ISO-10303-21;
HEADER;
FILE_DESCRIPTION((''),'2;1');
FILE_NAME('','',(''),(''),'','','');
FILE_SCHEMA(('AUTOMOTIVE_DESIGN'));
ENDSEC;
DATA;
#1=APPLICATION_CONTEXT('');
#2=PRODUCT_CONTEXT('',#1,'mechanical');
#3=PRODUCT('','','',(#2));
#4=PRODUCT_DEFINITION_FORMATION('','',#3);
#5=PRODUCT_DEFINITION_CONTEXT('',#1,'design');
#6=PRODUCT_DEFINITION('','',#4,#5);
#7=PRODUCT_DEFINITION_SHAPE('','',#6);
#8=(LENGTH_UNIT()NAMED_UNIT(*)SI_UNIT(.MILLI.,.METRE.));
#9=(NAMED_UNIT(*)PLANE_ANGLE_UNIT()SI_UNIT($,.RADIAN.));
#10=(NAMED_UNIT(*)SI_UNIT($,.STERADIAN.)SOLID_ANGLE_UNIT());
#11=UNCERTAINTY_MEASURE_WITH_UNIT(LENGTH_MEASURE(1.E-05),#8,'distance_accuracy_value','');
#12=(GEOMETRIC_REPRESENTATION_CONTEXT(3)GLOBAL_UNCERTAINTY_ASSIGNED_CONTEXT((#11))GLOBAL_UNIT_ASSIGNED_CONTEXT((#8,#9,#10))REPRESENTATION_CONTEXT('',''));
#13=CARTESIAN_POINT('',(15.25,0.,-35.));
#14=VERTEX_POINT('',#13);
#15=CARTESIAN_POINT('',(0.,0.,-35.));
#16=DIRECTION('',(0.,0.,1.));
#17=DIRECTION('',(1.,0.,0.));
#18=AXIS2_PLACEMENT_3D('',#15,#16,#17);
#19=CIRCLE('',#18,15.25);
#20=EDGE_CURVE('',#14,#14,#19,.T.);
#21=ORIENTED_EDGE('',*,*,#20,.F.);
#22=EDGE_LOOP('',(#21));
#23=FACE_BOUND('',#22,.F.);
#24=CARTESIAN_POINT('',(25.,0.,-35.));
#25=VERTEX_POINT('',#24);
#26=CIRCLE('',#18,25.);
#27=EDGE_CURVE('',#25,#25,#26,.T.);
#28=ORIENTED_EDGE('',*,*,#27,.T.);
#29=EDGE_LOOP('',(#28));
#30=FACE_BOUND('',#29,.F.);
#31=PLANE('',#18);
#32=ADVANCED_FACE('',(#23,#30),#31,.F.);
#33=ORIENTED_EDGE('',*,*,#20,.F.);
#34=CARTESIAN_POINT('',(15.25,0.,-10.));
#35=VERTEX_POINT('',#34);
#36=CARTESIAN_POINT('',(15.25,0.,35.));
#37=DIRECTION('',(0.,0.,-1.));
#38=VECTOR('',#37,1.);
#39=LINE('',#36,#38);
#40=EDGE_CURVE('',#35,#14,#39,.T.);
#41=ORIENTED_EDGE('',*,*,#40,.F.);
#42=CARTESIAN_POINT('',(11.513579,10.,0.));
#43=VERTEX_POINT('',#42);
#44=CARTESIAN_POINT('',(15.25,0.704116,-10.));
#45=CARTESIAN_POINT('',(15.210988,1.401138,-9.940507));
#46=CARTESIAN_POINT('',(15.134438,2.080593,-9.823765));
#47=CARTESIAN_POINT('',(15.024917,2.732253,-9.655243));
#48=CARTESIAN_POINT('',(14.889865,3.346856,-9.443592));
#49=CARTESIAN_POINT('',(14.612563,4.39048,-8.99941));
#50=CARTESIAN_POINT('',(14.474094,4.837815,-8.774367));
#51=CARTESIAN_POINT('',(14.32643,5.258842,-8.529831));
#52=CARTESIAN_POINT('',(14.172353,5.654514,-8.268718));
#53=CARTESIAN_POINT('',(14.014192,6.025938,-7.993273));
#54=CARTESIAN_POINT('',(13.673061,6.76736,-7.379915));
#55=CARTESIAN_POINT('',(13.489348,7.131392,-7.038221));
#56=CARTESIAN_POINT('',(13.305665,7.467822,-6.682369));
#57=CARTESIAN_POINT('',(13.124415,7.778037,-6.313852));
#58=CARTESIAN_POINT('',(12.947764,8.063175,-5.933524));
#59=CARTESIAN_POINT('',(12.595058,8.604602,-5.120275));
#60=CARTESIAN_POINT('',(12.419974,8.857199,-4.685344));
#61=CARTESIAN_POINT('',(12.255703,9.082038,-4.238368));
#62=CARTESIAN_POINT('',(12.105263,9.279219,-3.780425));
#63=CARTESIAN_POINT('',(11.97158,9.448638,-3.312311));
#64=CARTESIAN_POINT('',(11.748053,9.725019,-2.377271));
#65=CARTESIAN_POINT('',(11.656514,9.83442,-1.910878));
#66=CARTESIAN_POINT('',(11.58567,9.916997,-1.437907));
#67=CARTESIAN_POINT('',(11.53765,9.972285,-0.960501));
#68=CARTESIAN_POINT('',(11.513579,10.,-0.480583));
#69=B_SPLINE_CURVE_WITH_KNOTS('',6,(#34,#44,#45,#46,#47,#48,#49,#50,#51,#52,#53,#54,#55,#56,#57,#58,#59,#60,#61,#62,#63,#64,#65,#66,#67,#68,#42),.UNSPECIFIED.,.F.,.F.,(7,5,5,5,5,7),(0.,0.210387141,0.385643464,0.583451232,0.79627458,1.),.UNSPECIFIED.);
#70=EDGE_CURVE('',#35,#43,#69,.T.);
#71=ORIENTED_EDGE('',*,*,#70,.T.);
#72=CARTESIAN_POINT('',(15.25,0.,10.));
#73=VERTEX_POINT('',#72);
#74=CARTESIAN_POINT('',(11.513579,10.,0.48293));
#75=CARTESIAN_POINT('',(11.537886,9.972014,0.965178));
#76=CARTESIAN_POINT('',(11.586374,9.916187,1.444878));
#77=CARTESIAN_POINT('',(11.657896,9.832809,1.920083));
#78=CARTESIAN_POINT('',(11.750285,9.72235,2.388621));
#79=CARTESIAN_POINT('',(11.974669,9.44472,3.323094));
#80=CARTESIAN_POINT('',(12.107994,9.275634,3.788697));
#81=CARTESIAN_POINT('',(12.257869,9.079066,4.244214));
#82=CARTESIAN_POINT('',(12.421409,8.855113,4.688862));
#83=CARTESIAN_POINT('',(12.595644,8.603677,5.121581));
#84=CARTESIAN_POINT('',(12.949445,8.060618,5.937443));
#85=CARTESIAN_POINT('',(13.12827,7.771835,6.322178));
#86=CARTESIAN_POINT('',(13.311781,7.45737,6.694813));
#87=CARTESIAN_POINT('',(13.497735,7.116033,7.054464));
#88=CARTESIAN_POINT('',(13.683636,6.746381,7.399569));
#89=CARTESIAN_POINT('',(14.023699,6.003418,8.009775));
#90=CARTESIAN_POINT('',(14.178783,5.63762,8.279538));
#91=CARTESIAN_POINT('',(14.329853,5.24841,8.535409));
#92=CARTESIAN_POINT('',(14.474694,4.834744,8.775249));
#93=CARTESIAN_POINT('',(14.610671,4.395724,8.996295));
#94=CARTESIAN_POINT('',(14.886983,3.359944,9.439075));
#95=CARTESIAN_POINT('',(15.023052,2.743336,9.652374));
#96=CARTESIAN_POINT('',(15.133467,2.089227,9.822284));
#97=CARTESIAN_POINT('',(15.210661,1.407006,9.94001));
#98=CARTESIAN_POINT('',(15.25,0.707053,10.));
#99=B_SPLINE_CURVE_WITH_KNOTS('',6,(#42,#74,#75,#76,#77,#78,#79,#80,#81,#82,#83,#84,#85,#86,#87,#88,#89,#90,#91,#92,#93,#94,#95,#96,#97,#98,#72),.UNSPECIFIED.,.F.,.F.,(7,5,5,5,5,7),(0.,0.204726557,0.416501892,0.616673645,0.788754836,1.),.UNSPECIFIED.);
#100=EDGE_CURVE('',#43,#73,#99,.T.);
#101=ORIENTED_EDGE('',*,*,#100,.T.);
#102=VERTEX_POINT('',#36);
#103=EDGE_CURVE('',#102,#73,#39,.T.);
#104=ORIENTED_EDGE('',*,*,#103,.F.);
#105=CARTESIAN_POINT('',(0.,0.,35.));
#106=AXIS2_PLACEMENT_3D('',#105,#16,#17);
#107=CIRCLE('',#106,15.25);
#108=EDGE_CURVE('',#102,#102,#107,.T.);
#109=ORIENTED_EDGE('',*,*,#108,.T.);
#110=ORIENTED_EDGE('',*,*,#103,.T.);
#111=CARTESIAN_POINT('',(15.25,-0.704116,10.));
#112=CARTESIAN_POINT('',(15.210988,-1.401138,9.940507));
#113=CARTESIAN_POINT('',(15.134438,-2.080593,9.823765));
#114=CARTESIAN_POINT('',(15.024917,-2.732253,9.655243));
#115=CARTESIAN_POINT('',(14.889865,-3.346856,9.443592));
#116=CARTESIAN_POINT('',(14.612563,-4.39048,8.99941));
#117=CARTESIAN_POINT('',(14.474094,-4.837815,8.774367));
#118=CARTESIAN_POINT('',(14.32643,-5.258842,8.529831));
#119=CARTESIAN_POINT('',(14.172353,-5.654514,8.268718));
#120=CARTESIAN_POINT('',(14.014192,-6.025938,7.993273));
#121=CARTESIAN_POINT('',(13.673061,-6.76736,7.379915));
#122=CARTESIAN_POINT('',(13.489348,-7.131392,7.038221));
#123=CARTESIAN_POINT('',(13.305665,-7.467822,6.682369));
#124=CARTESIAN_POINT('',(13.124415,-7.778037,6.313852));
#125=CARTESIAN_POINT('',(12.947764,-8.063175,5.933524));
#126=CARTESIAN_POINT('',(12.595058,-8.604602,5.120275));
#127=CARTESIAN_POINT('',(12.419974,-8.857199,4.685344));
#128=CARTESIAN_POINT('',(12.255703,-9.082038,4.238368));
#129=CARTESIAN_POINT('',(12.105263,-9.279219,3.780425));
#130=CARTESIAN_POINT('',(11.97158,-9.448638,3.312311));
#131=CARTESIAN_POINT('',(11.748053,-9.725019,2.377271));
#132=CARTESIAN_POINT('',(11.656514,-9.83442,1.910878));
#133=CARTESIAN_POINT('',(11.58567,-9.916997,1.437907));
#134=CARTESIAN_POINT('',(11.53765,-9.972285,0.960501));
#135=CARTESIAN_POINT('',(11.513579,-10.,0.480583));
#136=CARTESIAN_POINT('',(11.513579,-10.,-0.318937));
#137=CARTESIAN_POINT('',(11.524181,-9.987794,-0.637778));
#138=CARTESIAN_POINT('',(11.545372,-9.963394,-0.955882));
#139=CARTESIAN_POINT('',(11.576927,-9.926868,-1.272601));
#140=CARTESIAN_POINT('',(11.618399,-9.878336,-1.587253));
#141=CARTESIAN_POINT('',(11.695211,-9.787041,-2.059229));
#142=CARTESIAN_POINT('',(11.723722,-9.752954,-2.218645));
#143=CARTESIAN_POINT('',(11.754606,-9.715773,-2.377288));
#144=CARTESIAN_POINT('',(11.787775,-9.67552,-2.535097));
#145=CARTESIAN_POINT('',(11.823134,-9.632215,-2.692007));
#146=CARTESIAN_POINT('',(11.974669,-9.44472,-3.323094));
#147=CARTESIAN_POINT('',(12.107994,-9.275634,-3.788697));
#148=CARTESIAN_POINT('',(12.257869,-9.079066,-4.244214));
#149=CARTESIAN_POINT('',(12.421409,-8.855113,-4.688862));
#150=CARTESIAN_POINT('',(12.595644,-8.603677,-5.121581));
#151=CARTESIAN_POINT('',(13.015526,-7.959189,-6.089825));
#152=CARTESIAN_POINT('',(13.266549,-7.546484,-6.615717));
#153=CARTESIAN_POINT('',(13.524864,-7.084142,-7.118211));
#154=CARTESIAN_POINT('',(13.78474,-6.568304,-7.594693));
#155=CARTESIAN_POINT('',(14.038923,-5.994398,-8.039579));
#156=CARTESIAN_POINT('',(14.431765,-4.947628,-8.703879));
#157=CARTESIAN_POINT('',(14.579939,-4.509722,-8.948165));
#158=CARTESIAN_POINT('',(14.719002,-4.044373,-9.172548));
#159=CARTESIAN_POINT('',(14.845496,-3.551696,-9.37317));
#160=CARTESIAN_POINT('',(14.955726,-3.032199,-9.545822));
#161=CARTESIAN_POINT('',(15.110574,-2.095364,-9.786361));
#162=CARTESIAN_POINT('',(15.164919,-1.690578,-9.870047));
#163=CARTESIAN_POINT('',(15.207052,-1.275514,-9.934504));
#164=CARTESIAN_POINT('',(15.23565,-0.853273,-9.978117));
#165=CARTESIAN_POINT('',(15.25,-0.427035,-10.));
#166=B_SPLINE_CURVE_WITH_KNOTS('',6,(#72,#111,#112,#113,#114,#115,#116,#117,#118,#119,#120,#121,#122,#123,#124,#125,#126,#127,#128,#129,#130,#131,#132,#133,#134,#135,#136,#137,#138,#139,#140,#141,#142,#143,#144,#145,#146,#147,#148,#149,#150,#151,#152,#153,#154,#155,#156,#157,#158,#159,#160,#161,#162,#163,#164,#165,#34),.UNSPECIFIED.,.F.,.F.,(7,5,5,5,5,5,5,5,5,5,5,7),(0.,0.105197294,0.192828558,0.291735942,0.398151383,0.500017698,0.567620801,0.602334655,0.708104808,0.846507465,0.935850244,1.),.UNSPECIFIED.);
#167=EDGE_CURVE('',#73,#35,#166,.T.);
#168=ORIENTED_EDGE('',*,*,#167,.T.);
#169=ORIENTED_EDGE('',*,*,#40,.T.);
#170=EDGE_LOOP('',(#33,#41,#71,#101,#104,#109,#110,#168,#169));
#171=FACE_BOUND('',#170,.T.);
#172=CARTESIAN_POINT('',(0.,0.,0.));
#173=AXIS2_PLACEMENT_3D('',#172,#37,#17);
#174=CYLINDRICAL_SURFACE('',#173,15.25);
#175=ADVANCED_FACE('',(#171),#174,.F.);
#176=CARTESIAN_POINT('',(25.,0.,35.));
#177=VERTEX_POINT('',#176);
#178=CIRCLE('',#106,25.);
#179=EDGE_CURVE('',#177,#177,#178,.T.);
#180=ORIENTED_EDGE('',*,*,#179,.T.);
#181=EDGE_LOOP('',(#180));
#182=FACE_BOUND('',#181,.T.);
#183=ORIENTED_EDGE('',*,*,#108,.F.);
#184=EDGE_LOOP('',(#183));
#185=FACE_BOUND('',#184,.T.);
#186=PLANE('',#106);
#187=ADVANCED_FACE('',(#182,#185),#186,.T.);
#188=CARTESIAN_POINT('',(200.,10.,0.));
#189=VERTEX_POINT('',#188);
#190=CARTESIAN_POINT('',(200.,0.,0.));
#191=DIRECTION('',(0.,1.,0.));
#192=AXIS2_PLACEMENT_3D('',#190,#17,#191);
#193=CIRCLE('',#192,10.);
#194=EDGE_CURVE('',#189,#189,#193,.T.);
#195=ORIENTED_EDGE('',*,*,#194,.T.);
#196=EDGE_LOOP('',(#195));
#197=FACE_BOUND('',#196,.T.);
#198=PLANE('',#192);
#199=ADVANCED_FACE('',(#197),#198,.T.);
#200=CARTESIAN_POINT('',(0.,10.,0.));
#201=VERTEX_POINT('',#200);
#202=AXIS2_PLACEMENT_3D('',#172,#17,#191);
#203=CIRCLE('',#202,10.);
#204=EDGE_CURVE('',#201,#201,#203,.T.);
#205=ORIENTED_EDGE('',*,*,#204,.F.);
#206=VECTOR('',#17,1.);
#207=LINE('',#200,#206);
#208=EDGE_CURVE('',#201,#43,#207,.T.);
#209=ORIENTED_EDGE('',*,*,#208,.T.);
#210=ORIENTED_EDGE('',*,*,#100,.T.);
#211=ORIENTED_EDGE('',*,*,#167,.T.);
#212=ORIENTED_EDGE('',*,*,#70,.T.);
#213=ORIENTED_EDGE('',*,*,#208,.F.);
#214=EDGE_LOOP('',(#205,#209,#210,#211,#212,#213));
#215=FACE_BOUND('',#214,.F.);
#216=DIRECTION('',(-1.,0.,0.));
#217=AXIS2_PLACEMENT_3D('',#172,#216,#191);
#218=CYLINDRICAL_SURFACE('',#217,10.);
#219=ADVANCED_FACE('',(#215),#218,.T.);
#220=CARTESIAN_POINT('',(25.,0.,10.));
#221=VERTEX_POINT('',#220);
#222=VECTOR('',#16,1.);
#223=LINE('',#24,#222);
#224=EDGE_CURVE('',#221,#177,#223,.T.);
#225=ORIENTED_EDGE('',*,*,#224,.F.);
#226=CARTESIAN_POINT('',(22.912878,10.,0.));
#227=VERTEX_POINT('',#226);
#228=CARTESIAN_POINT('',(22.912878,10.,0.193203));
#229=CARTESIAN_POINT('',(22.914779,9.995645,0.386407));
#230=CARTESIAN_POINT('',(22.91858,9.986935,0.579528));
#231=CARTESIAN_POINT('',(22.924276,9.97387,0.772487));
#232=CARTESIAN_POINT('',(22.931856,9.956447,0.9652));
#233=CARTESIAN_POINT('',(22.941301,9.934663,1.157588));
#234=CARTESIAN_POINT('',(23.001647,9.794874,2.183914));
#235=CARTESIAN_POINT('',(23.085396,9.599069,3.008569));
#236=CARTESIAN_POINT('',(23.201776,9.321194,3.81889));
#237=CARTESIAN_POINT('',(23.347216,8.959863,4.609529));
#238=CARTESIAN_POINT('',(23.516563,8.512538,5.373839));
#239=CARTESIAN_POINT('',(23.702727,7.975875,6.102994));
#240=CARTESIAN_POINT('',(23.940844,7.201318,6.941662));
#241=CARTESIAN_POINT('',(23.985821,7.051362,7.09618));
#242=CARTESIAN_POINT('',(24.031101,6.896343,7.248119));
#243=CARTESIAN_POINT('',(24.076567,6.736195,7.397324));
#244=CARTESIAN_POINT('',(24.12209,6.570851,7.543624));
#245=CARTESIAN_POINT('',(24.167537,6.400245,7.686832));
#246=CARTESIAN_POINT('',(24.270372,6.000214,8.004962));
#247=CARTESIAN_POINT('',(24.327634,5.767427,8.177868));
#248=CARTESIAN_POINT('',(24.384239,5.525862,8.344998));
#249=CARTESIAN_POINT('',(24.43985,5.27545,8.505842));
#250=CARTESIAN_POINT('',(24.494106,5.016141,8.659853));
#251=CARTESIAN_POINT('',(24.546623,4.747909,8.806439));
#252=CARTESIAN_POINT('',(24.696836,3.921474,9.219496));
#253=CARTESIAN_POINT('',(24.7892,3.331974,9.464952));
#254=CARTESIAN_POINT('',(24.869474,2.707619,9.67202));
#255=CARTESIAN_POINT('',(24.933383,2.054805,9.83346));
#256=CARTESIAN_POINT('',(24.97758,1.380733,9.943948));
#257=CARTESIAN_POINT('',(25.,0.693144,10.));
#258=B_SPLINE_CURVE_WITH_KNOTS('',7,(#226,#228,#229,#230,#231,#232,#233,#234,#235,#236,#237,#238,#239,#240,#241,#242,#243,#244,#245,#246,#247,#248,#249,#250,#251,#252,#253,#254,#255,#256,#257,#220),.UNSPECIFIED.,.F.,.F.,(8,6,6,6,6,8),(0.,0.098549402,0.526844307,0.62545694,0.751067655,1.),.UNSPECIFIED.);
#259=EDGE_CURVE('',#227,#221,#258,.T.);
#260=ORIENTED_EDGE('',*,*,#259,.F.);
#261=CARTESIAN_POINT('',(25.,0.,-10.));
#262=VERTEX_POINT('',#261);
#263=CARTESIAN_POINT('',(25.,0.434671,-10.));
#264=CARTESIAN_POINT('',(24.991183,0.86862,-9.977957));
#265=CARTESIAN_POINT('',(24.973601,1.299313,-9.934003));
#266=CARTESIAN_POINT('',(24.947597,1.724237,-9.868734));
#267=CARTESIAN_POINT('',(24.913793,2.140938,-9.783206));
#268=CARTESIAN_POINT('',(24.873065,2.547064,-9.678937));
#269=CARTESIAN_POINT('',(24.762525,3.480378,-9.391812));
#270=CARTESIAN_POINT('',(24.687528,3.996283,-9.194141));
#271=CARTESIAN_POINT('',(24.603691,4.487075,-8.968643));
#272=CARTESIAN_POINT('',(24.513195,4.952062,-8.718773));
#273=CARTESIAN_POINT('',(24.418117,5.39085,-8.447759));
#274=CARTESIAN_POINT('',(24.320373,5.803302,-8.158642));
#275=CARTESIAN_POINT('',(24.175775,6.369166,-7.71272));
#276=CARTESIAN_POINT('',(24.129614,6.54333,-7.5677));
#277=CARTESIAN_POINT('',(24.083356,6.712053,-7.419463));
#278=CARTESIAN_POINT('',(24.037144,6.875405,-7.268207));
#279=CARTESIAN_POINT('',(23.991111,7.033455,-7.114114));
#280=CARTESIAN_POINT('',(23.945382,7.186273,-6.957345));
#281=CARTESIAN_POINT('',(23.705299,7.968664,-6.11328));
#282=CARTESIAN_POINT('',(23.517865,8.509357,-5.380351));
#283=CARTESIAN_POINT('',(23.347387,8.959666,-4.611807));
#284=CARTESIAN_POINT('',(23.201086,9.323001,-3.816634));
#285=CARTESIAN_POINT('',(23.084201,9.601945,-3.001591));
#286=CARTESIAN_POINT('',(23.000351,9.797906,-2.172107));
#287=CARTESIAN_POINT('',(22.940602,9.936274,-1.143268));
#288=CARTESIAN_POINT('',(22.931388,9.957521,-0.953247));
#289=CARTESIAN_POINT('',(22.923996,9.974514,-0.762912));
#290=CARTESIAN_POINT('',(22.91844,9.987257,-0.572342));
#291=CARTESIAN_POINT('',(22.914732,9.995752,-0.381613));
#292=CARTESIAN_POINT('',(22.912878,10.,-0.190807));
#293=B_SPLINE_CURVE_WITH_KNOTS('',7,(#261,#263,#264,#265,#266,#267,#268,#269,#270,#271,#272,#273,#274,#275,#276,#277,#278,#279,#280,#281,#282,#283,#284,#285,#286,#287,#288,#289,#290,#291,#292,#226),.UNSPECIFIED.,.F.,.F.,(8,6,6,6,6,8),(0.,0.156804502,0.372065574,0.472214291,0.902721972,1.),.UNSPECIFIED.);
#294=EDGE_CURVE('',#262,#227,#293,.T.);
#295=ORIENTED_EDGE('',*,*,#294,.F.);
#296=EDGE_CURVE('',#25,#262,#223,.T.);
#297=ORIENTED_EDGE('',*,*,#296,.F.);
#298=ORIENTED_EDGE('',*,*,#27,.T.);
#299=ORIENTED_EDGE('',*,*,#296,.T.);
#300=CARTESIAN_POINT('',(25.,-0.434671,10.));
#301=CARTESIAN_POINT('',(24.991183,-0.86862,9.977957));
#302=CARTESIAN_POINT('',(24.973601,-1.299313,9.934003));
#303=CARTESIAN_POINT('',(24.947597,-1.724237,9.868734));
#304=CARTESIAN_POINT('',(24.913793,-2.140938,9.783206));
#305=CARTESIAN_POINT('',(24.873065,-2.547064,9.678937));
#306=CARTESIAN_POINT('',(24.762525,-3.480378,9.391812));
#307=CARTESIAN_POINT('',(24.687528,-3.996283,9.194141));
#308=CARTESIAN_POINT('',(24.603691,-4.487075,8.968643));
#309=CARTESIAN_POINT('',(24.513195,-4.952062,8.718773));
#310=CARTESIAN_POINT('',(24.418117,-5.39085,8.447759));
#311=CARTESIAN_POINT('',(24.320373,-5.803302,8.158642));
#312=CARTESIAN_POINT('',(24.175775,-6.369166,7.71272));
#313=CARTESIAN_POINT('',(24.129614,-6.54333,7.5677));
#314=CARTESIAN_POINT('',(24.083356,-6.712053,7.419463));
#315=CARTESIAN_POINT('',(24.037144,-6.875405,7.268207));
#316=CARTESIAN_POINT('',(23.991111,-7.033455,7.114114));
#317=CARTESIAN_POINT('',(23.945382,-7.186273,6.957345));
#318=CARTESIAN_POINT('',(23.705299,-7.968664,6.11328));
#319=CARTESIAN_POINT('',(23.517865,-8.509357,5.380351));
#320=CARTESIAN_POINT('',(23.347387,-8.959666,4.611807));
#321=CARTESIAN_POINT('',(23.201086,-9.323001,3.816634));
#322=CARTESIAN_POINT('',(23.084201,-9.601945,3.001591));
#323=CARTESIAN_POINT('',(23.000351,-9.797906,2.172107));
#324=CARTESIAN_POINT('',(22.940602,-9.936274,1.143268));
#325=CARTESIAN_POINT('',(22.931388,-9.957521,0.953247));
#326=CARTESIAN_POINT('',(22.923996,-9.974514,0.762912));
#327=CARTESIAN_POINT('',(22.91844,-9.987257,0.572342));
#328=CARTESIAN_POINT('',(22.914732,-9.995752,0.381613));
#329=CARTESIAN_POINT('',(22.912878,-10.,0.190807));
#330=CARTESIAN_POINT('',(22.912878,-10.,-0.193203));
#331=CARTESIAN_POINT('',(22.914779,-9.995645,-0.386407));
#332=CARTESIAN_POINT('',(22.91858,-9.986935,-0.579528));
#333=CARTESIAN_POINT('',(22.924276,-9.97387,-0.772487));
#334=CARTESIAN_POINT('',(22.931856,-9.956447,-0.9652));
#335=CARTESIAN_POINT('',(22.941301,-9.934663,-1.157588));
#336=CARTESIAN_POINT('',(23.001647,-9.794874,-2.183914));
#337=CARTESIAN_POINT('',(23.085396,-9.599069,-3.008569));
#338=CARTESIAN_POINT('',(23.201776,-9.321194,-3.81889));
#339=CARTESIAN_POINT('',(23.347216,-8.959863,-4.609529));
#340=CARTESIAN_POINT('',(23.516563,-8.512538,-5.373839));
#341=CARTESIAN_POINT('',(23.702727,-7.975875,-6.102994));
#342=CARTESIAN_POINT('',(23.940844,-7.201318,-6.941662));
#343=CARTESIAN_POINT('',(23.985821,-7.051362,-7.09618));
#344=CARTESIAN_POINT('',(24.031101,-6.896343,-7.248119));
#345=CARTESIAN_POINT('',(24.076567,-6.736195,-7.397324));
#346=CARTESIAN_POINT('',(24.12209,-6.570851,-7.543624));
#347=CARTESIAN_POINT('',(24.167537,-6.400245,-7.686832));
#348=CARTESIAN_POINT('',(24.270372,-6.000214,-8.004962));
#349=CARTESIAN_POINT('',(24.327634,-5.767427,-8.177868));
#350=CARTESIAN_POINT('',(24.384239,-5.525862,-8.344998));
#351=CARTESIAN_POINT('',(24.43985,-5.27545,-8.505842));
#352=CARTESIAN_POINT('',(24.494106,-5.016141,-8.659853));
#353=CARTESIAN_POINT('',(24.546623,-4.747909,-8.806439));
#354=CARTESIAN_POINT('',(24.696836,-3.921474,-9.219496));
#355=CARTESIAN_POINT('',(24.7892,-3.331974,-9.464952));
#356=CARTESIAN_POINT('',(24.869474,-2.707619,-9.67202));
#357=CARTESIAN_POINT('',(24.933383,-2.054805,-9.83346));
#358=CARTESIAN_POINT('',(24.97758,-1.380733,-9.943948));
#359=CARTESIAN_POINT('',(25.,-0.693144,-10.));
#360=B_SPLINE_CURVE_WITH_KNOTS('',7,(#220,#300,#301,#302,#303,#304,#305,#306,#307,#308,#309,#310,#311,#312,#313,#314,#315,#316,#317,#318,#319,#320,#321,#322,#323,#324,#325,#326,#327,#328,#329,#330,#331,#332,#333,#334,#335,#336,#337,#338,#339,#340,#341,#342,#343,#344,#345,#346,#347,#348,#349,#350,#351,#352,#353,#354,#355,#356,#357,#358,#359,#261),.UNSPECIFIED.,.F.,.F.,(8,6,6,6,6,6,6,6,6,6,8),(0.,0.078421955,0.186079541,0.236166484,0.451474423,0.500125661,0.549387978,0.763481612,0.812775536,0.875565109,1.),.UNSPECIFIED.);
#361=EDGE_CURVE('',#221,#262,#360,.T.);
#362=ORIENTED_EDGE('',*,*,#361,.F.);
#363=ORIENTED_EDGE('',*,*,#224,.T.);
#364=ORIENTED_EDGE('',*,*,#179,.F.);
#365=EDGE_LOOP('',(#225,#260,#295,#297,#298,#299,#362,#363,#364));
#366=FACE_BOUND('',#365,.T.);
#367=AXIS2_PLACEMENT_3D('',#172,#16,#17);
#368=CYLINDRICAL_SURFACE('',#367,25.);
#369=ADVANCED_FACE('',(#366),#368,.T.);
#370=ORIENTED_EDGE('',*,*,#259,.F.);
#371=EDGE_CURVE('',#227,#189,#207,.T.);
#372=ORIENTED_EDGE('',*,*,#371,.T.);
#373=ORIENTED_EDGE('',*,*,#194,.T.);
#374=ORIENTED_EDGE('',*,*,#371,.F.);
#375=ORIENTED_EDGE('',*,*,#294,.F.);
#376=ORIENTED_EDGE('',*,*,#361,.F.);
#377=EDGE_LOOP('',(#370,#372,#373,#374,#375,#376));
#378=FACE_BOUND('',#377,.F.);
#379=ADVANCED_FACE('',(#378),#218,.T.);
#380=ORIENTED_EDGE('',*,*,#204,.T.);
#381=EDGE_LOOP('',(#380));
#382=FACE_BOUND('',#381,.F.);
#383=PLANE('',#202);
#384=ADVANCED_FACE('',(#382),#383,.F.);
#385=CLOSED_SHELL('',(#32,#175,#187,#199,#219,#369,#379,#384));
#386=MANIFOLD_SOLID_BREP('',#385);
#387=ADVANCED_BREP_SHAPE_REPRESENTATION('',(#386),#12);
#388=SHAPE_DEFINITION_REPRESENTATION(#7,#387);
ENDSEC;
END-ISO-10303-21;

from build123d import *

# Parameters (mm, degrees)
F0_R     = 25
F0_R_2   = 15.25
F1_DEPTH = 35
F2_R     = 10
F3_DEPTH = 200


with BuildPart() as f1:
    # F0 (on Top) → F1 (new body, symmetric)
    with BuildSketch(Plane.XY):
        Circle(F0_R)
        Circle(F0_R_2, mode=Mode.SUBTRACT)
    extrude(amount=F1_DEPTH, both=True)

    # F2 (on Right) → F3 (join)
    with BuildSketch(Plane.YZ):
        Circle(F2_R)
    extrude(amount=F3_DEPTH)


solid = f1.part
